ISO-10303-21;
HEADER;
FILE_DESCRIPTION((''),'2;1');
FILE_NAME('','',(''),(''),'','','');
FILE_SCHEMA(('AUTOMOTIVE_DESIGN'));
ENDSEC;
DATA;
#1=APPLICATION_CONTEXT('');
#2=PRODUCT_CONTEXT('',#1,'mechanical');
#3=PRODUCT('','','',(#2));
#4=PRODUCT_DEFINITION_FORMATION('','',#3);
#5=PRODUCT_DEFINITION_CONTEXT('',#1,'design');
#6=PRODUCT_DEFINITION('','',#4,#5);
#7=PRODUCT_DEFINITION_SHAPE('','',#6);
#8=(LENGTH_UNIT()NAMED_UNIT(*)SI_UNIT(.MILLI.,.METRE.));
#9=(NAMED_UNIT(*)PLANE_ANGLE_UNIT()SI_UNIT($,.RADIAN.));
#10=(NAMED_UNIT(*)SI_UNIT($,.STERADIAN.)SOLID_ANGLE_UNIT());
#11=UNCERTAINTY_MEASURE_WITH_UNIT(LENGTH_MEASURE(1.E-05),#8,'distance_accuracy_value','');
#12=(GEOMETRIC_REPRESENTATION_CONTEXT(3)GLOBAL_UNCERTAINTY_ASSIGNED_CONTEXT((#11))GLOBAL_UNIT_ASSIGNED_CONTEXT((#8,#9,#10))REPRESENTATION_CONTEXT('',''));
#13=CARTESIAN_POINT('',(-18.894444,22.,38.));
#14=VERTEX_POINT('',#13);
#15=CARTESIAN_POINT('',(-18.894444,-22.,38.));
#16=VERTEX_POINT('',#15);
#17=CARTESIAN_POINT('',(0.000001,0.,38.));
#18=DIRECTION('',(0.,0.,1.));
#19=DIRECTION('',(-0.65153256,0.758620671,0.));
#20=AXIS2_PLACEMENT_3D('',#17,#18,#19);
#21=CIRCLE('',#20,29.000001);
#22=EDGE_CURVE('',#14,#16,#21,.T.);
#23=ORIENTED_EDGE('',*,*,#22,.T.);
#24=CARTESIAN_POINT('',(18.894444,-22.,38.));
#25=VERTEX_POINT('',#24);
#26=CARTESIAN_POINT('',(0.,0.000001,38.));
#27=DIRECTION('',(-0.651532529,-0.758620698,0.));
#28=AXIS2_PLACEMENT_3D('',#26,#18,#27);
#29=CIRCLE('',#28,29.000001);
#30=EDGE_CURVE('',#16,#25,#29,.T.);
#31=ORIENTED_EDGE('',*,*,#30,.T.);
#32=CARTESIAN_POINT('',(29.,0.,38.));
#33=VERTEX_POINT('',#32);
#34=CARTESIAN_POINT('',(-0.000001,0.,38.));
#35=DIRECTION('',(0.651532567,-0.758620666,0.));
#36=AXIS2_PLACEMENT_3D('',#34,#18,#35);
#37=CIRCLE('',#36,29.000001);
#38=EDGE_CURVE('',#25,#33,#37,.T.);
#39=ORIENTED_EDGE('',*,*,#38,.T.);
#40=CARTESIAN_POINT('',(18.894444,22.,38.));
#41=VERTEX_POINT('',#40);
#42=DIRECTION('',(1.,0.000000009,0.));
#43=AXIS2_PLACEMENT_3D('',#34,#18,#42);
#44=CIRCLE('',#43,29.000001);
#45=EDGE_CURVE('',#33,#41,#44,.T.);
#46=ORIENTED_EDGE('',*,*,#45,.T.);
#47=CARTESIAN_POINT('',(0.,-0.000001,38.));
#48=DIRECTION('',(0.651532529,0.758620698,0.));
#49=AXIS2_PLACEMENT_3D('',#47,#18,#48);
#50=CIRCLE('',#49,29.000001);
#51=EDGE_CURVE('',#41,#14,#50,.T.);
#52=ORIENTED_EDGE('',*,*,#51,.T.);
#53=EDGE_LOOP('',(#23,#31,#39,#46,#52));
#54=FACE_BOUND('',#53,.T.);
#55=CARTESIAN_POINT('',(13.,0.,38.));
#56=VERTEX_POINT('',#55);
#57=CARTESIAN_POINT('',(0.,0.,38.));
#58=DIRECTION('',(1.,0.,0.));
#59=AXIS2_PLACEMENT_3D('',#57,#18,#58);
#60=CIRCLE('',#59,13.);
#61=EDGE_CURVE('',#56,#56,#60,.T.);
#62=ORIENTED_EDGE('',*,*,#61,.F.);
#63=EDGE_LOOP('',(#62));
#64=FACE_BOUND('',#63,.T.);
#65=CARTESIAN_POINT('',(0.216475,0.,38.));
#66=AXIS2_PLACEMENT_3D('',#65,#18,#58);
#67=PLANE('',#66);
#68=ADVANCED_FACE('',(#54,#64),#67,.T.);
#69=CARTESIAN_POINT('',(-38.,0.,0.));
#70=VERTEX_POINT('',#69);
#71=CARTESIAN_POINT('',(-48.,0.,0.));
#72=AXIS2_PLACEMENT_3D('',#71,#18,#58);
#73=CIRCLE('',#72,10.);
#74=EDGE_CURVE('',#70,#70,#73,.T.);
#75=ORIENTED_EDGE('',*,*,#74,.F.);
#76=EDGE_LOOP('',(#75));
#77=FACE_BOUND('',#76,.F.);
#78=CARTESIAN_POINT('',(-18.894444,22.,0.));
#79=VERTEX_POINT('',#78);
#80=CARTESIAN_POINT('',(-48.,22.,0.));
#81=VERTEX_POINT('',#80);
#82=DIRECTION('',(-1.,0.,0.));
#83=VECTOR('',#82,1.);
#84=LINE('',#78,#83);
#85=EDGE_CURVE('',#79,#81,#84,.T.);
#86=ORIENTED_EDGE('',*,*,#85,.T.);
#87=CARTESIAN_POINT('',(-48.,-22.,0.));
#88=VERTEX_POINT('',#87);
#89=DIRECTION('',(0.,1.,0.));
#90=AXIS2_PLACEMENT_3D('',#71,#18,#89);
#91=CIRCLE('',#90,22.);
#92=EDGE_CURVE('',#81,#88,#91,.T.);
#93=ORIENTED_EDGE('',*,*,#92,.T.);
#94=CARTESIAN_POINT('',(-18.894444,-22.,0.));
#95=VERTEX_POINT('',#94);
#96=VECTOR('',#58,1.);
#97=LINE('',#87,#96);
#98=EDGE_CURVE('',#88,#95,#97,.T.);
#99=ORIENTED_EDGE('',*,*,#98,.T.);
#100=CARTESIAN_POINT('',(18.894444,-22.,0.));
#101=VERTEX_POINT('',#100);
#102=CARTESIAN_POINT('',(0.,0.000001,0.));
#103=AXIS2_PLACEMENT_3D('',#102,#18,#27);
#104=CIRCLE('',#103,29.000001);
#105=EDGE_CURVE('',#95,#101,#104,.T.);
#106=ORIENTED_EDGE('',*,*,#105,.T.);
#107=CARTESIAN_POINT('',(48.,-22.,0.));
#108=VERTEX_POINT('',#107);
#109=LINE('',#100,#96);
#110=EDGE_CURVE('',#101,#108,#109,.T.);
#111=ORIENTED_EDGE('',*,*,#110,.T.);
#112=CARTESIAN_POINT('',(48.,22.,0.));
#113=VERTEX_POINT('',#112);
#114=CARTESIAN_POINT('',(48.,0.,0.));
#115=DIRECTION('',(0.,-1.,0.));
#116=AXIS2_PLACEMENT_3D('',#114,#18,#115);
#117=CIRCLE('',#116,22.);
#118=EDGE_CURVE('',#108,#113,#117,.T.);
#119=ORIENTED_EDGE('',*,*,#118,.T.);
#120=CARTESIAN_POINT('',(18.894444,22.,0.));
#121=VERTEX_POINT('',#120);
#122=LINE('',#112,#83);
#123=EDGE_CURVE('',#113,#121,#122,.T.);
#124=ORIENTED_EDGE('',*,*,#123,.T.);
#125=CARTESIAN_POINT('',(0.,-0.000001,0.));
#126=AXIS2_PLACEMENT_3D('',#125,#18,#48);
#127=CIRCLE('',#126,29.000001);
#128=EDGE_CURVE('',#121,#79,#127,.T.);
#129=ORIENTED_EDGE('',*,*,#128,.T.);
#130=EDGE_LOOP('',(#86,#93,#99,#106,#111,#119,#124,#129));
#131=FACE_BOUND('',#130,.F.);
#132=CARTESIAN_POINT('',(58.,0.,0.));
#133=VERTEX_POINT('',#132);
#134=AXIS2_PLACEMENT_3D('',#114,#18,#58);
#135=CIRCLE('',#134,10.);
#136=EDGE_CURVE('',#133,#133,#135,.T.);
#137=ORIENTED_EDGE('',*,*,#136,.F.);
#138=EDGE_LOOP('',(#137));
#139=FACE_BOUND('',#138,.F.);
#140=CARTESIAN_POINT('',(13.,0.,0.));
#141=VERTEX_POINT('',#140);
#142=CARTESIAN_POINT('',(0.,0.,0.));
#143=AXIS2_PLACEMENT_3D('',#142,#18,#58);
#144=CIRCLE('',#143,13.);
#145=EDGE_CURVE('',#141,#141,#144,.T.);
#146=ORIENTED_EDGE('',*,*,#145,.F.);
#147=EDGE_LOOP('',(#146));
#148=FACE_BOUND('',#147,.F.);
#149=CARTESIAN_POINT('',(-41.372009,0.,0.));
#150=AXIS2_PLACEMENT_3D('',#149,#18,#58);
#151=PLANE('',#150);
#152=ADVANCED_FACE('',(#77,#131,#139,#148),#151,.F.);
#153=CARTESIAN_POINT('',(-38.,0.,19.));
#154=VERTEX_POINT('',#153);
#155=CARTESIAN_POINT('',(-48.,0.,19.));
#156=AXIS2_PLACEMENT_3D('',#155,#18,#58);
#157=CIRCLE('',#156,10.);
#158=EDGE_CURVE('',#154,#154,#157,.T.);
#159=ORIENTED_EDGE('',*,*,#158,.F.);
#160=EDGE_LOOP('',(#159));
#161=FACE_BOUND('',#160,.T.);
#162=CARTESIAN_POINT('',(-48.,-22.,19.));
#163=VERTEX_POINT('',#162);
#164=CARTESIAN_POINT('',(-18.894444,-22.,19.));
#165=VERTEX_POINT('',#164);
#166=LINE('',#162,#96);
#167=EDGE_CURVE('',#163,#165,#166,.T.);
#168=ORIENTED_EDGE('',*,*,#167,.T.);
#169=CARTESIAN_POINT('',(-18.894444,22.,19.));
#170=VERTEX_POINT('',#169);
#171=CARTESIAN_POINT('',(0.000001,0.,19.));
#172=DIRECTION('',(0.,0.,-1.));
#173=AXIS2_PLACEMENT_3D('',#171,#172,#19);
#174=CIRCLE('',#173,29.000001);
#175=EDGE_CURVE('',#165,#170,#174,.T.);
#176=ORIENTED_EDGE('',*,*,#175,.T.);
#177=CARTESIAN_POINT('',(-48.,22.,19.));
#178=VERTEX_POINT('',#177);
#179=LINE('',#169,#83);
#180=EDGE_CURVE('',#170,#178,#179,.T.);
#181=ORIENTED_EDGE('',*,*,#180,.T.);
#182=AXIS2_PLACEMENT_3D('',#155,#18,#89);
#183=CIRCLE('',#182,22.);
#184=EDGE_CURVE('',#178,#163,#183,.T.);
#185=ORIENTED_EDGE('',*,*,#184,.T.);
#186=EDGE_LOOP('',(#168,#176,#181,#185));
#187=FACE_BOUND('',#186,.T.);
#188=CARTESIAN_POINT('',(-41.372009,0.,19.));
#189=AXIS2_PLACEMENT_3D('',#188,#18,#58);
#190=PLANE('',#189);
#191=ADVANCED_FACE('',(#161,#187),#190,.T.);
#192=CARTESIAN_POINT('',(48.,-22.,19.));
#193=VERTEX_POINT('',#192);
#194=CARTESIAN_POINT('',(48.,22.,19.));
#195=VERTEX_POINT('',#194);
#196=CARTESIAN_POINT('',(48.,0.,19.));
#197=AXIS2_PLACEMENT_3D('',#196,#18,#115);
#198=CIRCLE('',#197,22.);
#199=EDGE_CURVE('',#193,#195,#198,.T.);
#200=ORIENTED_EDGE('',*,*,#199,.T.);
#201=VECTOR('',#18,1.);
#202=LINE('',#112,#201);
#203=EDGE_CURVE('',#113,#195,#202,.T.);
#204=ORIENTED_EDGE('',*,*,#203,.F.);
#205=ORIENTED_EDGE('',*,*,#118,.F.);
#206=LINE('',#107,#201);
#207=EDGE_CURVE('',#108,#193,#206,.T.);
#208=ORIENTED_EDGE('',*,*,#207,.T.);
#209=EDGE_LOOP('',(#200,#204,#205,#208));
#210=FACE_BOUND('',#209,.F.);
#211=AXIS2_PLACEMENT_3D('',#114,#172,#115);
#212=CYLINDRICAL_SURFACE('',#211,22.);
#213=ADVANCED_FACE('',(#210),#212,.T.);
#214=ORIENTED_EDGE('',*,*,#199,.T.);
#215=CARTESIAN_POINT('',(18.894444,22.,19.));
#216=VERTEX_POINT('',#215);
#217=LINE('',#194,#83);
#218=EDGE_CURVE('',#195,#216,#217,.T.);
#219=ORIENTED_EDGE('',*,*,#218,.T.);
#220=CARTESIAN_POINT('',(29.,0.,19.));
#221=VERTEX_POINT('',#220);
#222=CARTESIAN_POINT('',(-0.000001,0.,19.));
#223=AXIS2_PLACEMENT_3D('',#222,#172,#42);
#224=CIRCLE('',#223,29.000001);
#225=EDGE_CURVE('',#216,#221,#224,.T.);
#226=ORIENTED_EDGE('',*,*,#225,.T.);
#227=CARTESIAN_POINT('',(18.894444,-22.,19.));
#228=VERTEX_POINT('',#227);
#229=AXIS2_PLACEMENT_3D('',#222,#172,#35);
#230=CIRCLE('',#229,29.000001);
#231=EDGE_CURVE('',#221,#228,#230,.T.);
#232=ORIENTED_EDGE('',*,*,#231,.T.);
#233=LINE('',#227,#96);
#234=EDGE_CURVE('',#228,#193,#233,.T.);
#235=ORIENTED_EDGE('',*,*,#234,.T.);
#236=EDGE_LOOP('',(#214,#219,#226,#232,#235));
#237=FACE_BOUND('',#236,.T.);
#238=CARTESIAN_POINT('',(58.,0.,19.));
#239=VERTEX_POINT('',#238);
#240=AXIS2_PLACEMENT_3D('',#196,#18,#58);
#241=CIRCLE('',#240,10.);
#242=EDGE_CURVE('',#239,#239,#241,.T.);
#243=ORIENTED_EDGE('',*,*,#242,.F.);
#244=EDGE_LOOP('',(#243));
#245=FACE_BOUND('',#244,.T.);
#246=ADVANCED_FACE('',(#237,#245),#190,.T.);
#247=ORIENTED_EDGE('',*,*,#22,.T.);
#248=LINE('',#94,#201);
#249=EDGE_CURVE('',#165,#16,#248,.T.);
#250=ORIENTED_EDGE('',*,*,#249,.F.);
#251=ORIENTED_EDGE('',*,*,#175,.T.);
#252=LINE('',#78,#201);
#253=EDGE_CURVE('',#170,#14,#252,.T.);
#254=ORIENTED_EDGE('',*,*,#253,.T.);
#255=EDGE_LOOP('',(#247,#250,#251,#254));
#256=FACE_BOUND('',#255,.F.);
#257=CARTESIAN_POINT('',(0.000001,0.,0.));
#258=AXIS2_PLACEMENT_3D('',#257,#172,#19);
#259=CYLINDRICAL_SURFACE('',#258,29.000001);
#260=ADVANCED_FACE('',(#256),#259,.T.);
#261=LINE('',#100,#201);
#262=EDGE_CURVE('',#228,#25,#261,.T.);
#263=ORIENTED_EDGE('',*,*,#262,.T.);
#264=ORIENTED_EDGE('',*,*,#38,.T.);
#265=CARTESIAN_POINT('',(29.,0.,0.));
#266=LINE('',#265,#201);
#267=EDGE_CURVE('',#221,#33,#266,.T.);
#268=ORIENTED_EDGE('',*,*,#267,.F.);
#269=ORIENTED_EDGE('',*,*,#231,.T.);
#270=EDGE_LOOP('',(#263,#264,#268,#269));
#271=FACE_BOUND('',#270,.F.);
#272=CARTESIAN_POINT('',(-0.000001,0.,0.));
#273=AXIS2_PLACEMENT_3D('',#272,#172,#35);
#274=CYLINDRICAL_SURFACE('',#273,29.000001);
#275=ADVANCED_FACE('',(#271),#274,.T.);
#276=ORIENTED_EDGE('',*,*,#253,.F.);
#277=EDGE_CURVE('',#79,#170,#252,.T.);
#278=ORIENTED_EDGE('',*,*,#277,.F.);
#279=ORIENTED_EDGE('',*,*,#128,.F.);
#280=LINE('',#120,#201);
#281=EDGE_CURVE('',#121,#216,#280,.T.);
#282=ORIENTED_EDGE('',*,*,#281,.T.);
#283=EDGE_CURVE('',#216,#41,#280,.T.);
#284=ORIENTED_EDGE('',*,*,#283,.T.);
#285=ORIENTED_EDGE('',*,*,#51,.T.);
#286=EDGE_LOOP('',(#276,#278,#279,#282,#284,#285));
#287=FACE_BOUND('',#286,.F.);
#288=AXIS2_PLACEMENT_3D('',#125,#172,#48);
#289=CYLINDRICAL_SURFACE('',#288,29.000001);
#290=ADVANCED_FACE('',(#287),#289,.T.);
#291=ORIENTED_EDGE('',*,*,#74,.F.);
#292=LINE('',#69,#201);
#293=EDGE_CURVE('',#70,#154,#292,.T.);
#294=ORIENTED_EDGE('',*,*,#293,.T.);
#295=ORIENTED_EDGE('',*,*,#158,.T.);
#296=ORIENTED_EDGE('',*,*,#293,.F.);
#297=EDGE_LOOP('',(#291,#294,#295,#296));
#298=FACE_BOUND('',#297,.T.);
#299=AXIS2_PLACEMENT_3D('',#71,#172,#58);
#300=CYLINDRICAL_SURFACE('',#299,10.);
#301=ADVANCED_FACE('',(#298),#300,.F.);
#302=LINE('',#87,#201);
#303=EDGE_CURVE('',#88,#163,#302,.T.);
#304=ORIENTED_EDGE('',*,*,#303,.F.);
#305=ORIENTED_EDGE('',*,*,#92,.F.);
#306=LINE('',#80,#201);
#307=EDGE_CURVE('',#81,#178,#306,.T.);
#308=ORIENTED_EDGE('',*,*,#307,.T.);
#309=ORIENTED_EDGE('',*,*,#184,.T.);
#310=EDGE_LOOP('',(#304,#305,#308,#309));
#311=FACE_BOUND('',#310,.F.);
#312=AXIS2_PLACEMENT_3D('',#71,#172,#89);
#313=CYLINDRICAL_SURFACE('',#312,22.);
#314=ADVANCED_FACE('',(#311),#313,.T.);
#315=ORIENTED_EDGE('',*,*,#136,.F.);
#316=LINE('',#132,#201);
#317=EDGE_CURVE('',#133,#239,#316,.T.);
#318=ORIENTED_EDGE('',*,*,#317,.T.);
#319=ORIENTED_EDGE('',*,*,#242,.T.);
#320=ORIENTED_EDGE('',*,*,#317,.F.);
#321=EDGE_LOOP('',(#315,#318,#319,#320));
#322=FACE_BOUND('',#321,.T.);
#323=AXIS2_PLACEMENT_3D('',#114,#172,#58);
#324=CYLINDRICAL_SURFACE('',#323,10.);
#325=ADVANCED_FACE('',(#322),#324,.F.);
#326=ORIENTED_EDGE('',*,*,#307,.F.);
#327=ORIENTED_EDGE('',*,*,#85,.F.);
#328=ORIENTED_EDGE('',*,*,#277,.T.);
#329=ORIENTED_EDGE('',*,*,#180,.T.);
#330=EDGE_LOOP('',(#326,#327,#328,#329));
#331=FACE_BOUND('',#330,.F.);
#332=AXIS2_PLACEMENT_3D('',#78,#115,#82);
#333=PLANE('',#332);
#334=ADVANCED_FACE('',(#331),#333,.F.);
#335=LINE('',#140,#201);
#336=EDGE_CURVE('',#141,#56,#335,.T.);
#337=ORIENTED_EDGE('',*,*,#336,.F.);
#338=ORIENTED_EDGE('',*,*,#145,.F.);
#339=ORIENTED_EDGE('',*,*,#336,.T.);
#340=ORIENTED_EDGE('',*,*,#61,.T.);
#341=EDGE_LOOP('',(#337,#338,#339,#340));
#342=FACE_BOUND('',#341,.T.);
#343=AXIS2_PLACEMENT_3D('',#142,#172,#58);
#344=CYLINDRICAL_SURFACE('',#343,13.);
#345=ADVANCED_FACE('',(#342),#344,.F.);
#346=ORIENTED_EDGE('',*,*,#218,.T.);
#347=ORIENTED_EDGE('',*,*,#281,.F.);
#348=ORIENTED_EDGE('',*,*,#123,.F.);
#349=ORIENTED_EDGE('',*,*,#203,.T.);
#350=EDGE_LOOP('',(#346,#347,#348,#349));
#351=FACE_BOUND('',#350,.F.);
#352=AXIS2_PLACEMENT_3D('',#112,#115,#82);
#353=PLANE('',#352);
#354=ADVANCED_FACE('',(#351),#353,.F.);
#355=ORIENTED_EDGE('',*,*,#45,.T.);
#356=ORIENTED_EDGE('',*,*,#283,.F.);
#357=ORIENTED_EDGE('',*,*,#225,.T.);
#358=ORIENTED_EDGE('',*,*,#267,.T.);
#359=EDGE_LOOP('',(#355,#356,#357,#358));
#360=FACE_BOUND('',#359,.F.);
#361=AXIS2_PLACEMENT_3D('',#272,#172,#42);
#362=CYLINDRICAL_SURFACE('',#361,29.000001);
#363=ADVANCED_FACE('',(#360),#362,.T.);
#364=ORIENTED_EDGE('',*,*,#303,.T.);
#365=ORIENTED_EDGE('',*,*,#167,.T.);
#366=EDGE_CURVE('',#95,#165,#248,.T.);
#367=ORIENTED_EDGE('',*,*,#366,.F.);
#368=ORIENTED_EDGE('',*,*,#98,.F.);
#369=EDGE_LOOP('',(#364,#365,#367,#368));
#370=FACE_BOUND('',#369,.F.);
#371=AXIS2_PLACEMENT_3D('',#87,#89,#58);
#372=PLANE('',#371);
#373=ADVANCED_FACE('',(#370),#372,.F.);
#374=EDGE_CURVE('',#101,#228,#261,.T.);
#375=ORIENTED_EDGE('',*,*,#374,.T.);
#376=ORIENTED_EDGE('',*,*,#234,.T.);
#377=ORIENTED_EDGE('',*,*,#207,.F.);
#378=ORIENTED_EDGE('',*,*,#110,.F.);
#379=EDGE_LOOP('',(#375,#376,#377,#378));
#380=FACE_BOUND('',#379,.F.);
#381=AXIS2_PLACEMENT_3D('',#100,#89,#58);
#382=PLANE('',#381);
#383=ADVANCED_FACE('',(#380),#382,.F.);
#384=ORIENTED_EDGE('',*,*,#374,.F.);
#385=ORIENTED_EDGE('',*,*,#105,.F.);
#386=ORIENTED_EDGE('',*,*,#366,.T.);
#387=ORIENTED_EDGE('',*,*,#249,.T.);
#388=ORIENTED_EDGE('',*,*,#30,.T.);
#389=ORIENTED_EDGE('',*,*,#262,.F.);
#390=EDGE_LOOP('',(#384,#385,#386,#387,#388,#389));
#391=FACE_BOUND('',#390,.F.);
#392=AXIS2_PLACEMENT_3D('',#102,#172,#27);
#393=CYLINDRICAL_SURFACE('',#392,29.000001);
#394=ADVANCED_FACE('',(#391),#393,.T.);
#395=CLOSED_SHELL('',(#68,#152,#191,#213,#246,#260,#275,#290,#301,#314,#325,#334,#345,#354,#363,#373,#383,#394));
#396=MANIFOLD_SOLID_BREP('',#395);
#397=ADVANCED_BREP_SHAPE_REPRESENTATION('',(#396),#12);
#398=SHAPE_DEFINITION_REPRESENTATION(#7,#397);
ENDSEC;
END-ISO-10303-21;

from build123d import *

# Parameters (mm, degrees)
F0_R     = 10
F0_R_2   = 13
F1_DEPTH = 19
F2_DEPTH = 38


with BuildPart() as f1:
    # F0 (on Top) → F1 (new body)
    with BuildSketch(Plane.XY):
        with BuildLine():
            ThreePointArc((-18.894444, -22), (-29, 0), (-18.894444, 22))
            Line((-18.894444, 22), (-48, 22))
            ThreePointArc((-48, 22), (-70, 0), (-48, -22))
            Line((-48, -22), (-18.894444, -22))
        make_face()
        with Locations((-48, 0)):
            Circle(F0_R, mode=Mode.SUBTRACT)
        with BuildLine():
            ThreePointArc((18.894444, 22), (26.352788, 12.104981), (29, 0))
            ThreePointArc((29, 0), (26.352788, -12.104981), (18.894444, -22))
            Line((18.894444, -22), (48, -22))
            ThreePointArc((48, -22), (70, 0), (48, 22))
            Line((48, 22), (18.894444, 22))
        make_face()
        with Locations((48, 0)):
            Circle(F0_R, mode=Mode.SUBTRACT)
        with BuildLine():
            ThreePointArc((18.894444, -22), (26.352788, -12.104981), (29, 0))
            ThreePointArc((29, 0), (26.352788, 12.104981), (18.894444, 22))
            ThreePointArc((18.894444, 22), (0, 29), (-18.894444, 22))
            ThreePointArc((-18.894444, 22), (-29, 0), (-18.894444, -22))
            ThreePointArc((-18.894444, -22), (0, -29), (18.894444, -22))
        make_face()
        Circle(F0_R_2, mode=Mode.SUBTRACT)
    extrude(amount=F1_DEPTH)

    # F0 (on Top) → F2 (join)
    with BuildSketch(Plane.XY):
        with BuildLine():
            ThreePointArc((18.894444, -22), (26.352788, -12.104981), (29, 0))
            ThreePointArc((29, 0), (26.352788, 12.104981), (18.894444, 22))
            ThreePointArc((18.894444, 22), (0, 29), (-18.894444, 22))
            ThreePointArc((-18.894444, 22), (-29, 0), (-18.894444, -22))
            ThreePointArc((-18.894444, -22), (0, -29), (18.894444, -22))
        make_face()
        Circle(F0_R_2, mode=Mode.SUBTRACT)
    extrude(amount=F2_DEPTH)


solid = f1.part
